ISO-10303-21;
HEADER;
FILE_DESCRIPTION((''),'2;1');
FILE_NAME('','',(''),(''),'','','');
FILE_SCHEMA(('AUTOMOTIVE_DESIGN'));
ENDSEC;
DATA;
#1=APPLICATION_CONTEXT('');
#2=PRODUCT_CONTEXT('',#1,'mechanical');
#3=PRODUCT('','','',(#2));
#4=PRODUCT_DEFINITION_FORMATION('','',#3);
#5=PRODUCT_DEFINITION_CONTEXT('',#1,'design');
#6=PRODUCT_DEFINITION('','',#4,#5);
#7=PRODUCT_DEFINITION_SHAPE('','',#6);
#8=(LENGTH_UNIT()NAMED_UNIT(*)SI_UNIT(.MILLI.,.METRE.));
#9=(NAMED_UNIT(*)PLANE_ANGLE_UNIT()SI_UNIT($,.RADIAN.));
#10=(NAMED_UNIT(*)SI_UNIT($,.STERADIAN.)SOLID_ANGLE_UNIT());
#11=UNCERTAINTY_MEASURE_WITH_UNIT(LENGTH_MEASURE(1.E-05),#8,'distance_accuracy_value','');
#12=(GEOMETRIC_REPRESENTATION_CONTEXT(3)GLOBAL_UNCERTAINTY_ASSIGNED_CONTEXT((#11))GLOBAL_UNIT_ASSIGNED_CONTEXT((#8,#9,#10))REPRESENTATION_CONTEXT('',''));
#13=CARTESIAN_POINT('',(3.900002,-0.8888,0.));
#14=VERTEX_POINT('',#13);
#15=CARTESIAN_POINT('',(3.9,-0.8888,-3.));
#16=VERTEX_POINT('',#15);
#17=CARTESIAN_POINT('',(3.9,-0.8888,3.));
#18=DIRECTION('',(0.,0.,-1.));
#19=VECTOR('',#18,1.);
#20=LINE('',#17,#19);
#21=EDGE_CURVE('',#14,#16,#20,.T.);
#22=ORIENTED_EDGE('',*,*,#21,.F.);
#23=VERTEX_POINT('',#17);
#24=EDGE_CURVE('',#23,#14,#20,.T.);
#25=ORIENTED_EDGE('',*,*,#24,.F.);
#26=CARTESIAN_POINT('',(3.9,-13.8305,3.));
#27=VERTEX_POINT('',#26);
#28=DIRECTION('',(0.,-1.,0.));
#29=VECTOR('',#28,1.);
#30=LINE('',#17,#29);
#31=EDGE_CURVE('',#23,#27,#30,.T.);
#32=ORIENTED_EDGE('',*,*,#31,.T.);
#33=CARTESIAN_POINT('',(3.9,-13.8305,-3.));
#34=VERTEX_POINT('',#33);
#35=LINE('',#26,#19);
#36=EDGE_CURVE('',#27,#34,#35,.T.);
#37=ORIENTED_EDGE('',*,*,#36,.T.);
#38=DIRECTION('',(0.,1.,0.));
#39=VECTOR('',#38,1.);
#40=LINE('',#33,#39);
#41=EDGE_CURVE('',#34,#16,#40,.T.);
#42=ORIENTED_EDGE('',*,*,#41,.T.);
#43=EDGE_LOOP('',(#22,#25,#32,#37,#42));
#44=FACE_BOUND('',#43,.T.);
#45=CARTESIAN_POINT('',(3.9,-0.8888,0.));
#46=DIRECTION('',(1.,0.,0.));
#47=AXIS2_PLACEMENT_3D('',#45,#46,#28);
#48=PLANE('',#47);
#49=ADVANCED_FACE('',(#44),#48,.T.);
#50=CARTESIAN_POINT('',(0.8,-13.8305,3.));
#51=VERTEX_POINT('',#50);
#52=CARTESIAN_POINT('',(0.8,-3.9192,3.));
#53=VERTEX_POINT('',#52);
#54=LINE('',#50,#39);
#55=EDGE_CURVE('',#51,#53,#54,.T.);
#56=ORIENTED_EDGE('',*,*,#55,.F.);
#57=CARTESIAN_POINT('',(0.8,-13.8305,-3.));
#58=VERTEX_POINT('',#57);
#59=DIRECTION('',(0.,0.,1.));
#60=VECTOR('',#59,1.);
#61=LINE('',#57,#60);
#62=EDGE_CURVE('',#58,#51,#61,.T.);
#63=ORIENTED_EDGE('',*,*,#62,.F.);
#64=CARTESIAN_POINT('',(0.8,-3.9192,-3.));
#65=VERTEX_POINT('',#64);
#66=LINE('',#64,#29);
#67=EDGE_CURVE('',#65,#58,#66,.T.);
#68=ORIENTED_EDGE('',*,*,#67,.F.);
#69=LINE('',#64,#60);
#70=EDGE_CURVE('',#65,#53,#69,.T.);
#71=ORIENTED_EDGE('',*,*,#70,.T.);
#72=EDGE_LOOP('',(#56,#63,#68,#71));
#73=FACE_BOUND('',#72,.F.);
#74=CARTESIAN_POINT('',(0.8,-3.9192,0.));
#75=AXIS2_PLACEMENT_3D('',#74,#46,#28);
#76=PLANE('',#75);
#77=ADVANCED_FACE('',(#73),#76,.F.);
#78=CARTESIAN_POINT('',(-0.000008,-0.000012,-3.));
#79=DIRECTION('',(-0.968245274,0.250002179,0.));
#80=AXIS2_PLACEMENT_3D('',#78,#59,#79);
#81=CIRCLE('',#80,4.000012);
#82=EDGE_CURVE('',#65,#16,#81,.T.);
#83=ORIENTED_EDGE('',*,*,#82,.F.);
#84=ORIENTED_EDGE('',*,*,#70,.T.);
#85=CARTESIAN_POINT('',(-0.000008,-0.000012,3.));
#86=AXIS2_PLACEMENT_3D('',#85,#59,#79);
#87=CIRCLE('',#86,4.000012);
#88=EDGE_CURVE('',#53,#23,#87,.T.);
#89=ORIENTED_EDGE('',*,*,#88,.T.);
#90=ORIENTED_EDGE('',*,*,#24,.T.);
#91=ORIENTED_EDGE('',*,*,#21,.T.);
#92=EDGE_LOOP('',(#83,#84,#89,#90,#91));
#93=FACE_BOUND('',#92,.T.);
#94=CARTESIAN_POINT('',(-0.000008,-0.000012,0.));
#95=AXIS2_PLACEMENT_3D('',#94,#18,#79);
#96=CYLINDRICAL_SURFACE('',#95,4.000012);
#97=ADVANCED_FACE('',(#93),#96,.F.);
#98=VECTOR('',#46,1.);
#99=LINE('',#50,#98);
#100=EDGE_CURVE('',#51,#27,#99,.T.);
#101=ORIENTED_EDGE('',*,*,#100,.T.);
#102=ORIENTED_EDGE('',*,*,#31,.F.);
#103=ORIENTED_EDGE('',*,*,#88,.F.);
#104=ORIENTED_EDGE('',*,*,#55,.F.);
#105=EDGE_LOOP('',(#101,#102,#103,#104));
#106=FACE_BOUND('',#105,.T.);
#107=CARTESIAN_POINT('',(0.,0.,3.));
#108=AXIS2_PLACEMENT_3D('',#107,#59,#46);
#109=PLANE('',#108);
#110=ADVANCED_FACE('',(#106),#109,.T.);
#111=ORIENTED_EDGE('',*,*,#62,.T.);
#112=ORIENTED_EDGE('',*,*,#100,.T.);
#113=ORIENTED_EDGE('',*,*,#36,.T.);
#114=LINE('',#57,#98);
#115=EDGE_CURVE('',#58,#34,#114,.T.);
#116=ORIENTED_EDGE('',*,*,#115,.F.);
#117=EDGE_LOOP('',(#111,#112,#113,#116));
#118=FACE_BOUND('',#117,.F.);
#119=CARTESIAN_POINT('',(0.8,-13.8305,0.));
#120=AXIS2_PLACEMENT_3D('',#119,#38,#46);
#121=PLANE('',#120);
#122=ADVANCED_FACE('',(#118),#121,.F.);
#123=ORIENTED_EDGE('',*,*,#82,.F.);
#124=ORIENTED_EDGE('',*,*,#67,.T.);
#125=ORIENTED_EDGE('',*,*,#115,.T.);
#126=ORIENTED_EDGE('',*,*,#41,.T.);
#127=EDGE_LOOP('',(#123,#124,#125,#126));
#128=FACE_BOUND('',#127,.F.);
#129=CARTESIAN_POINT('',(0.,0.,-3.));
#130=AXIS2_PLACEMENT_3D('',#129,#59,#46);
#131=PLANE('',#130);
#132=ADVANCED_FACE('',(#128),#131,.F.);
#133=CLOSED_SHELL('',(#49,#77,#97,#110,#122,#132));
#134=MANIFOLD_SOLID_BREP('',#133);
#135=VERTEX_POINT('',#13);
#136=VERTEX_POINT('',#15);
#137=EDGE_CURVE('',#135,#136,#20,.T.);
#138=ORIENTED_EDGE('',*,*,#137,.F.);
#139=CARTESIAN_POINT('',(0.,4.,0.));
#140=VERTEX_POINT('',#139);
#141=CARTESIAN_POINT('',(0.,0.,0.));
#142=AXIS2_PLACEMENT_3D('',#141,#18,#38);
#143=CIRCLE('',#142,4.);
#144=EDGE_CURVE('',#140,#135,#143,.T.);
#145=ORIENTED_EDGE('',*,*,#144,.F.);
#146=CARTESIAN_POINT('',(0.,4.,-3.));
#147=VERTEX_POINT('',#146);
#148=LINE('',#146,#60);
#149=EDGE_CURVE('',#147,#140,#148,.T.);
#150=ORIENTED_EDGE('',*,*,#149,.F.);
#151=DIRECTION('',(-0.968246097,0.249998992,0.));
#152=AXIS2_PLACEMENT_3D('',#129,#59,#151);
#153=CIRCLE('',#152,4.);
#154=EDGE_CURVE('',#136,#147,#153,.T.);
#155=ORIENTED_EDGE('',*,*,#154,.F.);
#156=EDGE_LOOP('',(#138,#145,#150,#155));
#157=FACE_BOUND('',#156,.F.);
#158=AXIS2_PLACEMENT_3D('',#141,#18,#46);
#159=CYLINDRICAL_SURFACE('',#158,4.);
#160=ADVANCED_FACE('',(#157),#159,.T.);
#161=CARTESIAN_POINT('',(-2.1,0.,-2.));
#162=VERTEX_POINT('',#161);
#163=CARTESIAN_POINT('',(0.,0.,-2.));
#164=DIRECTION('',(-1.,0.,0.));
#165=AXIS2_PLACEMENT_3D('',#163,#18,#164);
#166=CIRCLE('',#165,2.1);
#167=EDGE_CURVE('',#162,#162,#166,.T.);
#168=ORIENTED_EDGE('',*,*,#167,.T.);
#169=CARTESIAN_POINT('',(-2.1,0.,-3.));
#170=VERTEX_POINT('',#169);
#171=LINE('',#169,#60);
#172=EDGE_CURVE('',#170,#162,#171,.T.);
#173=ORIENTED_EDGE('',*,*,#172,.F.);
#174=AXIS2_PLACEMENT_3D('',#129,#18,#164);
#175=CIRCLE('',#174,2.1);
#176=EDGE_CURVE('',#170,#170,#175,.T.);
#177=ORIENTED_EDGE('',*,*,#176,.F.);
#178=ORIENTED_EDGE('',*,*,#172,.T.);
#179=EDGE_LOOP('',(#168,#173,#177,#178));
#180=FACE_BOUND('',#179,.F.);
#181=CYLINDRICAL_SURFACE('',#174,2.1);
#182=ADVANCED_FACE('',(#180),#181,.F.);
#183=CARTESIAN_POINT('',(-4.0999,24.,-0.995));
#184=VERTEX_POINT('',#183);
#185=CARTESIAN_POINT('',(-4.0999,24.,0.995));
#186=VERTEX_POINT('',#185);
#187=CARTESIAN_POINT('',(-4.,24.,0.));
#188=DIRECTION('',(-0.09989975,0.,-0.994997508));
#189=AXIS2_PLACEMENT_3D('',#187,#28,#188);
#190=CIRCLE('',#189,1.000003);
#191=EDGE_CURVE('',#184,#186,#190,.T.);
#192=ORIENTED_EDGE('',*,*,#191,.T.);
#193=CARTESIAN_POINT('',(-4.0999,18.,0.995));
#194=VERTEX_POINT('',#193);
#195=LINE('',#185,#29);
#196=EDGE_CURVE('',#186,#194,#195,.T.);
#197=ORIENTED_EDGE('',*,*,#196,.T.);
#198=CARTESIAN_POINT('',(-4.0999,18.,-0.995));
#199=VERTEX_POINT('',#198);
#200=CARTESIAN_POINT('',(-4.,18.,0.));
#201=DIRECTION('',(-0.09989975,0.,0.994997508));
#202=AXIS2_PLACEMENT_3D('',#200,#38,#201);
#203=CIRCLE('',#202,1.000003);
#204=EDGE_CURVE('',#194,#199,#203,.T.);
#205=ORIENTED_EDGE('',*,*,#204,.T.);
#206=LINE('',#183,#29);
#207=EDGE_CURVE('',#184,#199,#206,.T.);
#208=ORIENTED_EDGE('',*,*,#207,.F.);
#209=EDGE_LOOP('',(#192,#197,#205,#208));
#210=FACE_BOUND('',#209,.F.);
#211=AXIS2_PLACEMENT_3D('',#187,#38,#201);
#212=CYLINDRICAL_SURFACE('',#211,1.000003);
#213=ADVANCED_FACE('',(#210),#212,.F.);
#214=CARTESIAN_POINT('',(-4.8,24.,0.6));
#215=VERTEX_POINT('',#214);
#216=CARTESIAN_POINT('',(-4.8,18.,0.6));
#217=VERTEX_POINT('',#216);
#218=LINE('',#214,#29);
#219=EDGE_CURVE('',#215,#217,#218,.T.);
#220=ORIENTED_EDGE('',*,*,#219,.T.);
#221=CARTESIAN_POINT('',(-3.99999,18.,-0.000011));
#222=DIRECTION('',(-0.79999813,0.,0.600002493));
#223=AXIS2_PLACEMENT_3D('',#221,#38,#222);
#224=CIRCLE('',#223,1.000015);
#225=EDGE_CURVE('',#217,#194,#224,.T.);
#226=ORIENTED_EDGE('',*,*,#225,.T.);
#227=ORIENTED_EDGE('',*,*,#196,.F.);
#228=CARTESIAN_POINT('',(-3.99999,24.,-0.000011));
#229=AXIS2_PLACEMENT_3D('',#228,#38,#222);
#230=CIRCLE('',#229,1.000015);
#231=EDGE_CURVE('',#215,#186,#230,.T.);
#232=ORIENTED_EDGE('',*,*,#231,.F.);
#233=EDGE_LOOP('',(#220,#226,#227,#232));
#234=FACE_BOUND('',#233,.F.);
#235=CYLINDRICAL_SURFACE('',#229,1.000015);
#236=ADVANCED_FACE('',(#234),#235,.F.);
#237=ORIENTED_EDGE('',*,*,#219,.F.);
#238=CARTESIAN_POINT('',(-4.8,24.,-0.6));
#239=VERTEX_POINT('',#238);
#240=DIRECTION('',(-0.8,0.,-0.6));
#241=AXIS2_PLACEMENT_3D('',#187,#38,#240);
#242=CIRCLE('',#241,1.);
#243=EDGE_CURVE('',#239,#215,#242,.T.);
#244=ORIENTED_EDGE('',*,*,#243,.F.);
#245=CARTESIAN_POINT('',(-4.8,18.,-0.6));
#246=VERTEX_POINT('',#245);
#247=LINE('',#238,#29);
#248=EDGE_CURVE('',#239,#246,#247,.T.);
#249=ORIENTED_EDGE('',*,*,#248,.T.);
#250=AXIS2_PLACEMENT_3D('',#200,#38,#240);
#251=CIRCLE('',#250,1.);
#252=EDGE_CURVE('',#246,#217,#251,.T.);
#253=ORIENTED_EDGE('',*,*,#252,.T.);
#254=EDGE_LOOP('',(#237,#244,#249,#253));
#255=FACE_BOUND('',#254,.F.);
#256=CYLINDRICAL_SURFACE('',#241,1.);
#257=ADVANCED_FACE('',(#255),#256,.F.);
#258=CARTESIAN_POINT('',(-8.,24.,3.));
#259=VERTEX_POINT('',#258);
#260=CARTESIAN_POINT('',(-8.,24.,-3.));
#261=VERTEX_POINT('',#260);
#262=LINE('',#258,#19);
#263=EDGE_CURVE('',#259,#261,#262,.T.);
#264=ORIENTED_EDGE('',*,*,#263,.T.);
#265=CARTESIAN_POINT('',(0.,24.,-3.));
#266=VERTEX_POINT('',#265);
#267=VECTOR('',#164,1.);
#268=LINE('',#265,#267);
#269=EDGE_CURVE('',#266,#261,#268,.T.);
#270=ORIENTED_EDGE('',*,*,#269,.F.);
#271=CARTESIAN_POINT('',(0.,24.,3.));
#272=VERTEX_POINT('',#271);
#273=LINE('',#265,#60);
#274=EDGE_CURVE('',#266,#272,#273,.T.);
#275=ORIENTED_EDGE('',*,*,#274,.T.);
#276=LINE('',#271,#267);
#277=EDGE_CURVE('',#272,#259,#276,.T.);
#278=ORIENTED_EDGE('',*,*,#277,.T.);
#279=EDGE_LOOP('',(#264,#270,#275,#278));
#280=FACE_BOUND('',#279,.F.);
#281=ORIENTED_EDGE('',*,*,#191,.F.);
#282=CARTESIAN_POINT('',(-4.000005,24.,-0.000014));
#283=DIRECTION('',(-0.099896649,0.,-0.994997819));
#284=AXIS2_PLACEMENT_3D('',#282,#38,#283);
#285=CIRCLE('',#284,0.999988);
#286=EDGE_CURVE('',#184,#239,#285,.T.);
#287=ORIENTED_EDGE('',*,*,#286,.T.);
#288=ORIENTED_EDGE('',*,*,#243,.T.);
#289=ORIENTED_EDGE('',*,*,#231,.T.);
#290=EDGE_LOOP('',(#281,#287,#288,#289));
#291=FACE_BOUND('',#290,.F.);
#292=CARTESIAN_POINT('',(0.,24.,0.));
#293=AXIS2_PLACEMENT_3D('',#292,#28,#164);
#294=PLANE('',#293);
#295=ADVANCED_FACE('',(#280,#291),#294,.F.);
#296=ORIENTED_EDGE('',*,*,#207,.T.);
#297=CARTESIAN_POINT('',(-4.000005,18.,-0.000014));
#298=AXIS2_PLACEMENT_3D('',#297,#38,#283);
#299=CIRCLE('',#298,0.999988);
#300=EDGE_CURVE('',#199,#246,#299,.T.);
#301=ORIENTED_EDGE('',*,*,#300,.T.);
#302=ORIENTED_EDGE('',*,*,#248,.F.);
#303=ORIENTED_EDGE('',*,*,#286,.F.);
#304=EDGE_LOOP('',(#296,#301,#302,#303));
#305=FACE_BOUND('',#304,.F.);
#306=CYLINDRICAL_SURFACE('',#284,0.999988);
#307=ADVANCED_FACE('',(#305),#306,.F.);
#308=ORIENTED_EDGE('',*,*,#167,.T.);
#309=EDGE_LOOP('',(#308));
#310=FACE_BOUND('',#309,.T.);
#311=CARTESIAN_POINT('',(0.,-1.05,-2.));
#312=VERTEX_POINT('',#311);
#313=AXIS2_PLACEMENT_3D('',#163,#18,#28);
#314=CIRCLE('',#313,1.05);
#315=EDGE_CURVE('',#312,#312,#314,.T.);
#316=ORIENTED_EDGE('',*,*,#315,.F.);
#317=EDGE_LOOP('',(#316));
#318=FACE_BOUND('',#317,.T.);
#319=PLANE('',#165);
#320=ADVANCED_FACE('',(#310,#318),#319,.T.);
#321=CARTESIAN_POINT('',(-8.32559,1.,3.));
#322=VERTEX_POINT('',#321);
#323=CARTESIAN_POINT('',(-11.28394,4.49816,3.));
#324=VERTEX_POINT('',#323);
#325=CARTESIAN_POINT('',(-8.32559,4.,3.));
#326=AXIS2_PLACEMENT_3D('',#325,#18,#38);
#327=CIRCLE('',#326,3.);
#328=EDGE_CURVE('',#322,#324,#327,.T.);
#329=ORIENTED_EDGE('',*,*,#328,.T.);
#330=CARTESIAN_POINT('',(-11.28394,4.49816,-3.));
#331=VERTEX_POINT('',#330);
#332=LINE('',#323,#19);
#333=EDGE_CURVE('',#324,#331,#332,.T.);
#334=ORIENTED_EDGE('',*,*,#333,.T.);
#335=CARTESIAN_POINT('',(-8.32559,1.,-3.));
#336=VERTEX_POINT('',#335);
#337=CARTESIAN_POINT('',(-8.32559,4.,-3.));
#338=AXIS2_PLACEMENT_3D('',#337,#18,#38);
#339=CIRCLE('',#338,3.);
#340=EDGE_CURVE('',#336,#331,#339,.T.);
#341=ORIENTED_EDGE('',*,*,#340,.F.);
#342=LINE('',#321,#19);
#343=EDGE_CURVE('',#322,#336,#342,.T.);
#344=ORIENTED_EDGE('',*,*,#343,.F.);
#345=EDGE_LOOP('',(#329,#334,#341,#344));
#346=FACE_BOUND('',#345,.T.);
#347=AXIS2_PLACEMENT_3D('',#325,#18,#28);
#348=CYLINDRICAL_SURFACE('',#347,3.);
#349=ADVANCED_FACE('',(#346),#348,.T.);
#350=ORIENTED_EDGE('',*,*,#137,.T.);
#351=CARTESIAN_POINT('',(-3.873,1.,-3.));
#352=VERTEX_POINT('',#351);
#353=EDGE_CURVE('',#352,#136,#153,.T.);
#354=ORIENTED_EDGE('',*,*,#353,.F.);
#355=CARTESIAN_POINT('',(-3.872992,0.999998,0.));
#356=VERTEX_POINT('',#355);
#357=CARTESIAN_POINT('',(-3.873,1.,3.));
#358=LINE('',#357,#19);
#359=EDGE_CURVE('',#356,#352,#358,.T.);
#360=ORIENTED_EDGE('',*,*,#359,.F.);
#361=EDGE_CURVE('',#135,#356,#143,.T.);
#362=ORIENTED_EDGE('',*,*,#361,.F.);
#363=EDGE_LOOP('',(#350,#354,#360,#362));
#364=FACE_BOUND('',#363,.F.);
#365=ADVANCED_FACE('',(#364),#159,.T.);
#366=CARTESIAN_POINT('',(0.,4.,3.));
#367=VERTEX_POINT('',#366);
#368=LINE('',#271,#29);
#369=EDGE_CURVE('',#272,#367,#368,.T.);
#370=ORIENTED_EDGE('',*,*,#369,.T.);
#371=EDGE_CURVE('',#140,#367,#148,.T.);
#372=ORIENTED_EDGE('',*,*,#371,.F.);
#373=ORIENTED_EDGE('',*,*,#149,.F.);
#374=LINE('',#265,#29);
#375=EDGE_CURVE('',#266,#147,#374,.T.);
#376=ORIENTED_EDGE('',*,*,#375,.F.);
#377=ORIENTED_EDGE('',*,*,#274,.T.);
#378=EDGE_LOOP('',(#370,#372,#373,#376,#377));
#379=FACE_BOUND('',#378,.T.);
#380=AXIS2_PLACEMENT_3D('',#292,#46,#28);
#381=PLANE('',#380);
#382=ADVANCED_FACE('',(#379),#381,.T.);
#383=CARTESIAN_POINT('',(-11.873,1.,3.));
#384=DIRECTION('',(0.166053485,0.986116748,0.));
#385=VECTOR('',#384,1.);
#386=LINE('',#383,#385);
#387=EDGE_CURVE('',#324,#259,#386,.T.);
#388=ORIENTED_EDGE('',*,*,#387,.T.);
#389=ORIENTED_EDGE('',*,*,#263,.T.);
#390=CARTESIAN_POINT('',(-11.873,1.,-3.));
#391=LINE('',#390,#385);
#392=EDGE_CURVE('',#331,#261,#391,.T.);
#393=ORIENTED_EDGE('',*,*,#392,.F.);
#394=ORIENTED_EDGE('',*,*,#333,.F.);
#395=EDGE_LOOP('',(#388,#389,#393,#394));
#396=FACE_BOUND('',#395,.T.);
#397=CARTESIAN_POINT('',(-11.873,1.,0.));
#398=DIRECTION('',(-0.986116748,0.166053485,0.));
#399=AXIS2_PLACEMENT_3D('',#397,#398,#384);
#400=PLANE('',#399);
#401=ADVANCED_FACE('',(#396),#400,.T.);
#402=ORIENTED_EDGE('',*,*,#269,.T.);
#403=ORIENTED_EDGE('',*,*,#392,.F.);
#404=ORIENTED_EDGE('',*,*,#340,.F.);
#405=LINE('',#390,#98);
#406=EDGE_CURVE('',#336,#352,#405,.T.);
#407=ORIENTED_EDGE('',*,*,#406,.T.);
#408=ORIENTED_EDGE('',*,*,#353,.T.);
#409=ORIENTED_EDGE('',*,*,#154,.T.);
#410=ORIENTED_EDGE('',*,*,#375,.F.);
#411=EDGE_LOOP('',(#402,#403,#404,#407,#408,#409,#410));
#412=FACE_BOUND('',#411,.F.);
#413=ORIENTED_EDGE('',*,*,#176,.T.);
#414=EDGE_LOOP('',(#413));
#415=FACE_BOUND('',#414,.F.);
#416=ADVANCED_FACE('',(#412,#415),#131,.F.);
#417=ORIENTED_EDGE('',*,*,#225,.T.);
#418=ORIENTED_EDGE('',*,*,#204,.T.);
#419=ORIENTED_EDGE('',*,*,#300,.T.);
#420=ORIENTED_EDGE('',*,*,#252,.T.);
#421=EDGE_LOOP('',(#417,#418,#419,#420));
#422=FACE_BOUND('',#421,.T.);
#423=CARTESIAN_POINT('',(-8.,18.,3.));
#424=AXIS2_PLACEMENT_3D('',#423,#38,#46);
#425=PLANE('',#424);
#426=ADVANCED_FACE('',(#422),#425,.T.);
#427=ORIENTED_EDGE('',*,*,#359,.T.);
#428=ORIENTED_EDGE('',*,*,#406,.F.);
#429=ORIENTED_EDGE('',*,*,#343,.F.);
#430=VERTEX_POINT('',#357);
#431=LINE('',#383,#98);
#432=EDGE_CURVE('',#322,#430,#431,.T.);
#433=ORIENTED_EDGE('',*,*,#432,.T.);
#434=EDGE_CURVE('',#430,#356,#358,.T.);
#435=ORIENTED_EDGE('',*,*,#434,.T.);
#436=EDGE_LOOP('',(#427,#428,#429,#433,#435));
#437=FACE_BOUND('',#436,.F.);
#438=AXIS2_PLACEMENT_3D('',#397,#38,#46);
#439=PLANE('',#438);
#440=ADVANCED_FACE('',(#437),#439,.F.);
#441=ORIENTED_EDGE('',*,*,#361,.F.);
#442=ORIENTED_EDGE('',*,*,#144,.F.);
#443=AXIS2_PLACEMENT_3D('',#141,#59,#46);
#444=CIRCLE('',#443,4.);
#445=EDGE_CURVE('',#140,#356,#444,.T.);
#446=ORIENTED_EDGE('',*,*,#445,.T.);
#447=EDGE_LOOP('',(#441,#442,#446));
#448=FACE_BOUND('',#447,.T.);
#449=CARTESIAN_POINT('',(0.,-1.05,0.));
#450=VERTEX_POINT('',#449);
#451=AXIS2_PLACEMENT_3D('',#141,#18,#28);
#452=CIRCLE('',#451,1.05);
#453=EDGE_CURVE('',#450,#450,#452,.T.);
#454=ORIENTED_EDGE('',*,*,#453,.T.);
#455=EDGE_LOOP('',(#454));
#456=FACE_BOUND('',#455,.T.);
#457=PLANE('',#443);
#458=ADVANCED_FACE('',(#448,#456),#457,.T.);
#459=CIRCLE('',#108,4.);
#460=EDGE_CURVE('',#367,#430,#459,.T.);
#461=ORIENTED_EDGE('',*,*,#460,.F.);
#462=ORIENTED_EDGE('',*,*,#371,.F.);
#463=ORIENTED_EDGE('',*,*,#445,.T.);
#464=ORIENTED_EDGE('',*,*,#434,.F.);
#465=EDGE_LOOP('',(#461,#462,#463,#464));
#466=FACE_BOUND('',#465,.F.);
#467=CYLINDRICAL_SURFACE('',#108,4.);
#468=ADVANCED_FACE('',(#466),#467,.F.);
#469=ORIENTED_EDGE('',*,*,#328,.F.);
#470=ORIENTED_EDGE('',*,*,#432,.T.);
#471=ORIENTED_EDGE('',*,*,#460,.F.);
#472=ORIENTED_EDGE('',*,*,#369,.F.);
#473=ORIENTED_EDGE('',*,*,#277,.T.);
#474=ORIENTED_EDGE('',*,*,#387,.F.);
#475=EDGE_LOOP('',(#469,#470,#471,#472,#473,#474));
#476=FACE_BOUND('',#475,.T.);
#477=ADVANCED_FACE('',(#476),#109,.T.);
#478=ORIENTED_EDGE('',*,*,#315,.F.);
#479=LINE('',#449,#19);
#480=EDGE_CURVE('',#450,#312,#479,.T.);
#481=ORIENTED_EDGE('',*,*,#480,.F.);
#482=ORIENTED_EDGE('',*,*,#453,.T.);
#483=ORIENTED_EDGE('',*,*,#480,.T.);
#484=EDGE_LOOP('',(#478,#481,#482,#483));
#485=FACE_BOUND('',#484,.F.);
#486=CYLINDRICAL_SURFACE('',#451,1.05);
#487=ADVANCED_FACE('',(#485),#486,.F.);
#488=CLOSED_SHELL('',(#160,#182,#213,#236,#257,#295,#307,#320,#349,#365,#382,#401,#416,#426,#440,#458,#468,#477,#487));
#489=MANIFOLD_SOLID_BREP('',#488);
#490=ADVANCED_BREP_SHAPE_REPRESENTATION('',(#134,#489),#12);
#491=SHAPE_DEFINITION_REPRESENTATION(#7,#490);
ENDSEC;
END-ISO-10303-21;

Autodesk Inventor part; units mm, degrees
ref_plane "YZ Plane" through (0, 0, 0) normal (1, 0, 0) x (0, 1, 0)
ref_plane "XZ Plane" through (0, 0, 0) normal (0, 1, 0) x (-1, 0, 0)
ref_plane "XY Plane" through (0, 0, 0) normal (0, 0, 1) x (1, 0, 0)
sketch "Sketch1" plane through (0, 0, 0) normal (0, 0, 1) x (1, 0, 0)
  circle A0 centre (0, 0) radius 4
  line L0 (0, 24) -> (-8, 24)
  line L1 (0, 24) -> (0, 4)
  line L2 (-11.873, 1) -> (-3.873, 1)
  line L3 (-11.873, 1) -> (-8, 24)
  dimension "d0" = 8
  dimension "d6" = 8
  dimension "d60" = 20
  dimension "d61" = 8
extrude "Extrusion1" add sketch "Sketch1" along normal mid plane 6
sketch "Sketch2" plane through (0, 0, 3) normal (0, 0, 1) x (1, 0, 0)
  circle A0 centre (0, 0) radius 4
extrude "Extrusion2" cut sketch "Sketch2" against normal blind 3
sketch "Sketch4" plane through (-8, 24, 3) normal (0, 1, 0) x (1, 0, 0)
  line L0 (8, 6) -> (8, 0) projected
  line L1 (0, 0) -> (8, 6)
  line L2 (8, 0) -> (0, 0) projected
  line L3 (0, 6) -> (0, 0) projected
  line L4 (8, 0) -> (0, 6)
  line L5 (0, 6) -> (8, 6) projected
  line L6 (4, 6) -> (4, 0)
  arc A0 (3.9001, 2.005) -> (3.9001, 3.995) centre (4, 3) ccw
  arc A1 (3.9001, 3.995) -> (3.2, 3.6) centre (4, 3) ccw
  arc A2 (3.2, 2.4) -> (3.9001, 2.005) centre (4, 3) ccw
  arc A3 (3.2, 3.6) -> (3.2, 2.4) centre (4, 3) ccw
  point P0 (8, 3)
extrude "Extrusion4" cut sketch "Sketch4" against normal blind 6 contours A0 L4 L1 | L1 L6 A0 | A0 L6 L4 | L6 A0 A2 L1 | L1 A3 L4 | L4 A1 A0 L6
sketch "Sketch8" plane through (0, 0, 0) normal (0, 0, 1) x (1, 0, 0)
  arc A0 (-3.873, 1) -> (0, 4) centre (0, 0) ccw projected
hole "Hole3" at (0, 0, 0) direction (0, 0, -1) diameter 2.1 end through all
sketch "Sketch9" plane through (0, 0, 0) normal (0, 0, 1) x (1, 0, 0)
  line L0 (0, 4) -> (0, 24) construction
  line L1 (0, 24) -> (-8, 24) construction
  line L2 (-3.2679, 22.7321) -> (-9.2774, 0.3045) construction
  line L3 (-11.873, 1) -> (-3.873, 1) construction
  arc A0 (0, 4) -> (-3.873, 1) centre (0, 0) ccw construction
  arc A1 (-3.873, 1) -> (0, 4) centre (0, 0) ccw projected
  line L4 (0, 26.7661) -> (0, -20.5966) construction
  arc A2 (-3.873, 1) -> (0, 4) centre (0, 0) ccw construction
  line L5 (0.8, -3.9192) -> (0.8, -8.9192)
  line L6 (3.9, -0.8888) -> (3.9, -5.8888)
  line L7 (3.9, -5.8888) -> (3.9, -13.8305)
  line L8 (0.8, -8.9192) -> (0.8, -13.8305)
  line L9 (0.8, -13.8305) -> (3.9, -13.8305)
  point P0 (3.9, -0.8888)
  dimension "d42" = 5
  dimension "d43" = 0.8
  dimension "d49" = 5
  dimension "d56" = 3.1
  dimension "d57" = 9.9113
extrude "Extrusion5" add sketch "Sketch9" along normal mid plane 6
sketch "Sketch10" plane through (0, 0, -3) normal (0, 0, -1) x (-1, 0, 0)
  circle A0 centre (0, 0) radius 2.1
  circle A1 centre (0, 0) radius 1.05 projected
  circle A2 centre (0, 0) radius 1.05 projected
  line L0 (0, 24) -> (0, 4) projected
  arc A3 (0, 4) -> (-3.9, -0.8888) centre (0, 0) ccw projected
  line L1 (3.873, 1) -> (11.873, 1) projected
  line L2 (8, 24) -> (0, 24) projected
  line L3 (-3.9, -0.8888) -> (-3.9, -13.8305) projected
  line L4 (-0.8, -13.8305) -> (-0.8, -3.9192) projected
  arc A4 (-0.8, -3.9192) -> (3.873, 1) centre (0, 0) ccw projected
  line L5 (-3.9, -13.8305) -> (-0.8, -13.8305) projected
  line L6 (11.873, 1) -> (8, 24) projected
  dimension "d52" = 4.2
extrude "Extrusion6" cut sketch "Sketch10" against normal blind 1 contours A0
fillet "Fillet4" radius 3 1 edges at (-11.873, 1, 0)
properties part number "pliers" material "ABS Plastic"
